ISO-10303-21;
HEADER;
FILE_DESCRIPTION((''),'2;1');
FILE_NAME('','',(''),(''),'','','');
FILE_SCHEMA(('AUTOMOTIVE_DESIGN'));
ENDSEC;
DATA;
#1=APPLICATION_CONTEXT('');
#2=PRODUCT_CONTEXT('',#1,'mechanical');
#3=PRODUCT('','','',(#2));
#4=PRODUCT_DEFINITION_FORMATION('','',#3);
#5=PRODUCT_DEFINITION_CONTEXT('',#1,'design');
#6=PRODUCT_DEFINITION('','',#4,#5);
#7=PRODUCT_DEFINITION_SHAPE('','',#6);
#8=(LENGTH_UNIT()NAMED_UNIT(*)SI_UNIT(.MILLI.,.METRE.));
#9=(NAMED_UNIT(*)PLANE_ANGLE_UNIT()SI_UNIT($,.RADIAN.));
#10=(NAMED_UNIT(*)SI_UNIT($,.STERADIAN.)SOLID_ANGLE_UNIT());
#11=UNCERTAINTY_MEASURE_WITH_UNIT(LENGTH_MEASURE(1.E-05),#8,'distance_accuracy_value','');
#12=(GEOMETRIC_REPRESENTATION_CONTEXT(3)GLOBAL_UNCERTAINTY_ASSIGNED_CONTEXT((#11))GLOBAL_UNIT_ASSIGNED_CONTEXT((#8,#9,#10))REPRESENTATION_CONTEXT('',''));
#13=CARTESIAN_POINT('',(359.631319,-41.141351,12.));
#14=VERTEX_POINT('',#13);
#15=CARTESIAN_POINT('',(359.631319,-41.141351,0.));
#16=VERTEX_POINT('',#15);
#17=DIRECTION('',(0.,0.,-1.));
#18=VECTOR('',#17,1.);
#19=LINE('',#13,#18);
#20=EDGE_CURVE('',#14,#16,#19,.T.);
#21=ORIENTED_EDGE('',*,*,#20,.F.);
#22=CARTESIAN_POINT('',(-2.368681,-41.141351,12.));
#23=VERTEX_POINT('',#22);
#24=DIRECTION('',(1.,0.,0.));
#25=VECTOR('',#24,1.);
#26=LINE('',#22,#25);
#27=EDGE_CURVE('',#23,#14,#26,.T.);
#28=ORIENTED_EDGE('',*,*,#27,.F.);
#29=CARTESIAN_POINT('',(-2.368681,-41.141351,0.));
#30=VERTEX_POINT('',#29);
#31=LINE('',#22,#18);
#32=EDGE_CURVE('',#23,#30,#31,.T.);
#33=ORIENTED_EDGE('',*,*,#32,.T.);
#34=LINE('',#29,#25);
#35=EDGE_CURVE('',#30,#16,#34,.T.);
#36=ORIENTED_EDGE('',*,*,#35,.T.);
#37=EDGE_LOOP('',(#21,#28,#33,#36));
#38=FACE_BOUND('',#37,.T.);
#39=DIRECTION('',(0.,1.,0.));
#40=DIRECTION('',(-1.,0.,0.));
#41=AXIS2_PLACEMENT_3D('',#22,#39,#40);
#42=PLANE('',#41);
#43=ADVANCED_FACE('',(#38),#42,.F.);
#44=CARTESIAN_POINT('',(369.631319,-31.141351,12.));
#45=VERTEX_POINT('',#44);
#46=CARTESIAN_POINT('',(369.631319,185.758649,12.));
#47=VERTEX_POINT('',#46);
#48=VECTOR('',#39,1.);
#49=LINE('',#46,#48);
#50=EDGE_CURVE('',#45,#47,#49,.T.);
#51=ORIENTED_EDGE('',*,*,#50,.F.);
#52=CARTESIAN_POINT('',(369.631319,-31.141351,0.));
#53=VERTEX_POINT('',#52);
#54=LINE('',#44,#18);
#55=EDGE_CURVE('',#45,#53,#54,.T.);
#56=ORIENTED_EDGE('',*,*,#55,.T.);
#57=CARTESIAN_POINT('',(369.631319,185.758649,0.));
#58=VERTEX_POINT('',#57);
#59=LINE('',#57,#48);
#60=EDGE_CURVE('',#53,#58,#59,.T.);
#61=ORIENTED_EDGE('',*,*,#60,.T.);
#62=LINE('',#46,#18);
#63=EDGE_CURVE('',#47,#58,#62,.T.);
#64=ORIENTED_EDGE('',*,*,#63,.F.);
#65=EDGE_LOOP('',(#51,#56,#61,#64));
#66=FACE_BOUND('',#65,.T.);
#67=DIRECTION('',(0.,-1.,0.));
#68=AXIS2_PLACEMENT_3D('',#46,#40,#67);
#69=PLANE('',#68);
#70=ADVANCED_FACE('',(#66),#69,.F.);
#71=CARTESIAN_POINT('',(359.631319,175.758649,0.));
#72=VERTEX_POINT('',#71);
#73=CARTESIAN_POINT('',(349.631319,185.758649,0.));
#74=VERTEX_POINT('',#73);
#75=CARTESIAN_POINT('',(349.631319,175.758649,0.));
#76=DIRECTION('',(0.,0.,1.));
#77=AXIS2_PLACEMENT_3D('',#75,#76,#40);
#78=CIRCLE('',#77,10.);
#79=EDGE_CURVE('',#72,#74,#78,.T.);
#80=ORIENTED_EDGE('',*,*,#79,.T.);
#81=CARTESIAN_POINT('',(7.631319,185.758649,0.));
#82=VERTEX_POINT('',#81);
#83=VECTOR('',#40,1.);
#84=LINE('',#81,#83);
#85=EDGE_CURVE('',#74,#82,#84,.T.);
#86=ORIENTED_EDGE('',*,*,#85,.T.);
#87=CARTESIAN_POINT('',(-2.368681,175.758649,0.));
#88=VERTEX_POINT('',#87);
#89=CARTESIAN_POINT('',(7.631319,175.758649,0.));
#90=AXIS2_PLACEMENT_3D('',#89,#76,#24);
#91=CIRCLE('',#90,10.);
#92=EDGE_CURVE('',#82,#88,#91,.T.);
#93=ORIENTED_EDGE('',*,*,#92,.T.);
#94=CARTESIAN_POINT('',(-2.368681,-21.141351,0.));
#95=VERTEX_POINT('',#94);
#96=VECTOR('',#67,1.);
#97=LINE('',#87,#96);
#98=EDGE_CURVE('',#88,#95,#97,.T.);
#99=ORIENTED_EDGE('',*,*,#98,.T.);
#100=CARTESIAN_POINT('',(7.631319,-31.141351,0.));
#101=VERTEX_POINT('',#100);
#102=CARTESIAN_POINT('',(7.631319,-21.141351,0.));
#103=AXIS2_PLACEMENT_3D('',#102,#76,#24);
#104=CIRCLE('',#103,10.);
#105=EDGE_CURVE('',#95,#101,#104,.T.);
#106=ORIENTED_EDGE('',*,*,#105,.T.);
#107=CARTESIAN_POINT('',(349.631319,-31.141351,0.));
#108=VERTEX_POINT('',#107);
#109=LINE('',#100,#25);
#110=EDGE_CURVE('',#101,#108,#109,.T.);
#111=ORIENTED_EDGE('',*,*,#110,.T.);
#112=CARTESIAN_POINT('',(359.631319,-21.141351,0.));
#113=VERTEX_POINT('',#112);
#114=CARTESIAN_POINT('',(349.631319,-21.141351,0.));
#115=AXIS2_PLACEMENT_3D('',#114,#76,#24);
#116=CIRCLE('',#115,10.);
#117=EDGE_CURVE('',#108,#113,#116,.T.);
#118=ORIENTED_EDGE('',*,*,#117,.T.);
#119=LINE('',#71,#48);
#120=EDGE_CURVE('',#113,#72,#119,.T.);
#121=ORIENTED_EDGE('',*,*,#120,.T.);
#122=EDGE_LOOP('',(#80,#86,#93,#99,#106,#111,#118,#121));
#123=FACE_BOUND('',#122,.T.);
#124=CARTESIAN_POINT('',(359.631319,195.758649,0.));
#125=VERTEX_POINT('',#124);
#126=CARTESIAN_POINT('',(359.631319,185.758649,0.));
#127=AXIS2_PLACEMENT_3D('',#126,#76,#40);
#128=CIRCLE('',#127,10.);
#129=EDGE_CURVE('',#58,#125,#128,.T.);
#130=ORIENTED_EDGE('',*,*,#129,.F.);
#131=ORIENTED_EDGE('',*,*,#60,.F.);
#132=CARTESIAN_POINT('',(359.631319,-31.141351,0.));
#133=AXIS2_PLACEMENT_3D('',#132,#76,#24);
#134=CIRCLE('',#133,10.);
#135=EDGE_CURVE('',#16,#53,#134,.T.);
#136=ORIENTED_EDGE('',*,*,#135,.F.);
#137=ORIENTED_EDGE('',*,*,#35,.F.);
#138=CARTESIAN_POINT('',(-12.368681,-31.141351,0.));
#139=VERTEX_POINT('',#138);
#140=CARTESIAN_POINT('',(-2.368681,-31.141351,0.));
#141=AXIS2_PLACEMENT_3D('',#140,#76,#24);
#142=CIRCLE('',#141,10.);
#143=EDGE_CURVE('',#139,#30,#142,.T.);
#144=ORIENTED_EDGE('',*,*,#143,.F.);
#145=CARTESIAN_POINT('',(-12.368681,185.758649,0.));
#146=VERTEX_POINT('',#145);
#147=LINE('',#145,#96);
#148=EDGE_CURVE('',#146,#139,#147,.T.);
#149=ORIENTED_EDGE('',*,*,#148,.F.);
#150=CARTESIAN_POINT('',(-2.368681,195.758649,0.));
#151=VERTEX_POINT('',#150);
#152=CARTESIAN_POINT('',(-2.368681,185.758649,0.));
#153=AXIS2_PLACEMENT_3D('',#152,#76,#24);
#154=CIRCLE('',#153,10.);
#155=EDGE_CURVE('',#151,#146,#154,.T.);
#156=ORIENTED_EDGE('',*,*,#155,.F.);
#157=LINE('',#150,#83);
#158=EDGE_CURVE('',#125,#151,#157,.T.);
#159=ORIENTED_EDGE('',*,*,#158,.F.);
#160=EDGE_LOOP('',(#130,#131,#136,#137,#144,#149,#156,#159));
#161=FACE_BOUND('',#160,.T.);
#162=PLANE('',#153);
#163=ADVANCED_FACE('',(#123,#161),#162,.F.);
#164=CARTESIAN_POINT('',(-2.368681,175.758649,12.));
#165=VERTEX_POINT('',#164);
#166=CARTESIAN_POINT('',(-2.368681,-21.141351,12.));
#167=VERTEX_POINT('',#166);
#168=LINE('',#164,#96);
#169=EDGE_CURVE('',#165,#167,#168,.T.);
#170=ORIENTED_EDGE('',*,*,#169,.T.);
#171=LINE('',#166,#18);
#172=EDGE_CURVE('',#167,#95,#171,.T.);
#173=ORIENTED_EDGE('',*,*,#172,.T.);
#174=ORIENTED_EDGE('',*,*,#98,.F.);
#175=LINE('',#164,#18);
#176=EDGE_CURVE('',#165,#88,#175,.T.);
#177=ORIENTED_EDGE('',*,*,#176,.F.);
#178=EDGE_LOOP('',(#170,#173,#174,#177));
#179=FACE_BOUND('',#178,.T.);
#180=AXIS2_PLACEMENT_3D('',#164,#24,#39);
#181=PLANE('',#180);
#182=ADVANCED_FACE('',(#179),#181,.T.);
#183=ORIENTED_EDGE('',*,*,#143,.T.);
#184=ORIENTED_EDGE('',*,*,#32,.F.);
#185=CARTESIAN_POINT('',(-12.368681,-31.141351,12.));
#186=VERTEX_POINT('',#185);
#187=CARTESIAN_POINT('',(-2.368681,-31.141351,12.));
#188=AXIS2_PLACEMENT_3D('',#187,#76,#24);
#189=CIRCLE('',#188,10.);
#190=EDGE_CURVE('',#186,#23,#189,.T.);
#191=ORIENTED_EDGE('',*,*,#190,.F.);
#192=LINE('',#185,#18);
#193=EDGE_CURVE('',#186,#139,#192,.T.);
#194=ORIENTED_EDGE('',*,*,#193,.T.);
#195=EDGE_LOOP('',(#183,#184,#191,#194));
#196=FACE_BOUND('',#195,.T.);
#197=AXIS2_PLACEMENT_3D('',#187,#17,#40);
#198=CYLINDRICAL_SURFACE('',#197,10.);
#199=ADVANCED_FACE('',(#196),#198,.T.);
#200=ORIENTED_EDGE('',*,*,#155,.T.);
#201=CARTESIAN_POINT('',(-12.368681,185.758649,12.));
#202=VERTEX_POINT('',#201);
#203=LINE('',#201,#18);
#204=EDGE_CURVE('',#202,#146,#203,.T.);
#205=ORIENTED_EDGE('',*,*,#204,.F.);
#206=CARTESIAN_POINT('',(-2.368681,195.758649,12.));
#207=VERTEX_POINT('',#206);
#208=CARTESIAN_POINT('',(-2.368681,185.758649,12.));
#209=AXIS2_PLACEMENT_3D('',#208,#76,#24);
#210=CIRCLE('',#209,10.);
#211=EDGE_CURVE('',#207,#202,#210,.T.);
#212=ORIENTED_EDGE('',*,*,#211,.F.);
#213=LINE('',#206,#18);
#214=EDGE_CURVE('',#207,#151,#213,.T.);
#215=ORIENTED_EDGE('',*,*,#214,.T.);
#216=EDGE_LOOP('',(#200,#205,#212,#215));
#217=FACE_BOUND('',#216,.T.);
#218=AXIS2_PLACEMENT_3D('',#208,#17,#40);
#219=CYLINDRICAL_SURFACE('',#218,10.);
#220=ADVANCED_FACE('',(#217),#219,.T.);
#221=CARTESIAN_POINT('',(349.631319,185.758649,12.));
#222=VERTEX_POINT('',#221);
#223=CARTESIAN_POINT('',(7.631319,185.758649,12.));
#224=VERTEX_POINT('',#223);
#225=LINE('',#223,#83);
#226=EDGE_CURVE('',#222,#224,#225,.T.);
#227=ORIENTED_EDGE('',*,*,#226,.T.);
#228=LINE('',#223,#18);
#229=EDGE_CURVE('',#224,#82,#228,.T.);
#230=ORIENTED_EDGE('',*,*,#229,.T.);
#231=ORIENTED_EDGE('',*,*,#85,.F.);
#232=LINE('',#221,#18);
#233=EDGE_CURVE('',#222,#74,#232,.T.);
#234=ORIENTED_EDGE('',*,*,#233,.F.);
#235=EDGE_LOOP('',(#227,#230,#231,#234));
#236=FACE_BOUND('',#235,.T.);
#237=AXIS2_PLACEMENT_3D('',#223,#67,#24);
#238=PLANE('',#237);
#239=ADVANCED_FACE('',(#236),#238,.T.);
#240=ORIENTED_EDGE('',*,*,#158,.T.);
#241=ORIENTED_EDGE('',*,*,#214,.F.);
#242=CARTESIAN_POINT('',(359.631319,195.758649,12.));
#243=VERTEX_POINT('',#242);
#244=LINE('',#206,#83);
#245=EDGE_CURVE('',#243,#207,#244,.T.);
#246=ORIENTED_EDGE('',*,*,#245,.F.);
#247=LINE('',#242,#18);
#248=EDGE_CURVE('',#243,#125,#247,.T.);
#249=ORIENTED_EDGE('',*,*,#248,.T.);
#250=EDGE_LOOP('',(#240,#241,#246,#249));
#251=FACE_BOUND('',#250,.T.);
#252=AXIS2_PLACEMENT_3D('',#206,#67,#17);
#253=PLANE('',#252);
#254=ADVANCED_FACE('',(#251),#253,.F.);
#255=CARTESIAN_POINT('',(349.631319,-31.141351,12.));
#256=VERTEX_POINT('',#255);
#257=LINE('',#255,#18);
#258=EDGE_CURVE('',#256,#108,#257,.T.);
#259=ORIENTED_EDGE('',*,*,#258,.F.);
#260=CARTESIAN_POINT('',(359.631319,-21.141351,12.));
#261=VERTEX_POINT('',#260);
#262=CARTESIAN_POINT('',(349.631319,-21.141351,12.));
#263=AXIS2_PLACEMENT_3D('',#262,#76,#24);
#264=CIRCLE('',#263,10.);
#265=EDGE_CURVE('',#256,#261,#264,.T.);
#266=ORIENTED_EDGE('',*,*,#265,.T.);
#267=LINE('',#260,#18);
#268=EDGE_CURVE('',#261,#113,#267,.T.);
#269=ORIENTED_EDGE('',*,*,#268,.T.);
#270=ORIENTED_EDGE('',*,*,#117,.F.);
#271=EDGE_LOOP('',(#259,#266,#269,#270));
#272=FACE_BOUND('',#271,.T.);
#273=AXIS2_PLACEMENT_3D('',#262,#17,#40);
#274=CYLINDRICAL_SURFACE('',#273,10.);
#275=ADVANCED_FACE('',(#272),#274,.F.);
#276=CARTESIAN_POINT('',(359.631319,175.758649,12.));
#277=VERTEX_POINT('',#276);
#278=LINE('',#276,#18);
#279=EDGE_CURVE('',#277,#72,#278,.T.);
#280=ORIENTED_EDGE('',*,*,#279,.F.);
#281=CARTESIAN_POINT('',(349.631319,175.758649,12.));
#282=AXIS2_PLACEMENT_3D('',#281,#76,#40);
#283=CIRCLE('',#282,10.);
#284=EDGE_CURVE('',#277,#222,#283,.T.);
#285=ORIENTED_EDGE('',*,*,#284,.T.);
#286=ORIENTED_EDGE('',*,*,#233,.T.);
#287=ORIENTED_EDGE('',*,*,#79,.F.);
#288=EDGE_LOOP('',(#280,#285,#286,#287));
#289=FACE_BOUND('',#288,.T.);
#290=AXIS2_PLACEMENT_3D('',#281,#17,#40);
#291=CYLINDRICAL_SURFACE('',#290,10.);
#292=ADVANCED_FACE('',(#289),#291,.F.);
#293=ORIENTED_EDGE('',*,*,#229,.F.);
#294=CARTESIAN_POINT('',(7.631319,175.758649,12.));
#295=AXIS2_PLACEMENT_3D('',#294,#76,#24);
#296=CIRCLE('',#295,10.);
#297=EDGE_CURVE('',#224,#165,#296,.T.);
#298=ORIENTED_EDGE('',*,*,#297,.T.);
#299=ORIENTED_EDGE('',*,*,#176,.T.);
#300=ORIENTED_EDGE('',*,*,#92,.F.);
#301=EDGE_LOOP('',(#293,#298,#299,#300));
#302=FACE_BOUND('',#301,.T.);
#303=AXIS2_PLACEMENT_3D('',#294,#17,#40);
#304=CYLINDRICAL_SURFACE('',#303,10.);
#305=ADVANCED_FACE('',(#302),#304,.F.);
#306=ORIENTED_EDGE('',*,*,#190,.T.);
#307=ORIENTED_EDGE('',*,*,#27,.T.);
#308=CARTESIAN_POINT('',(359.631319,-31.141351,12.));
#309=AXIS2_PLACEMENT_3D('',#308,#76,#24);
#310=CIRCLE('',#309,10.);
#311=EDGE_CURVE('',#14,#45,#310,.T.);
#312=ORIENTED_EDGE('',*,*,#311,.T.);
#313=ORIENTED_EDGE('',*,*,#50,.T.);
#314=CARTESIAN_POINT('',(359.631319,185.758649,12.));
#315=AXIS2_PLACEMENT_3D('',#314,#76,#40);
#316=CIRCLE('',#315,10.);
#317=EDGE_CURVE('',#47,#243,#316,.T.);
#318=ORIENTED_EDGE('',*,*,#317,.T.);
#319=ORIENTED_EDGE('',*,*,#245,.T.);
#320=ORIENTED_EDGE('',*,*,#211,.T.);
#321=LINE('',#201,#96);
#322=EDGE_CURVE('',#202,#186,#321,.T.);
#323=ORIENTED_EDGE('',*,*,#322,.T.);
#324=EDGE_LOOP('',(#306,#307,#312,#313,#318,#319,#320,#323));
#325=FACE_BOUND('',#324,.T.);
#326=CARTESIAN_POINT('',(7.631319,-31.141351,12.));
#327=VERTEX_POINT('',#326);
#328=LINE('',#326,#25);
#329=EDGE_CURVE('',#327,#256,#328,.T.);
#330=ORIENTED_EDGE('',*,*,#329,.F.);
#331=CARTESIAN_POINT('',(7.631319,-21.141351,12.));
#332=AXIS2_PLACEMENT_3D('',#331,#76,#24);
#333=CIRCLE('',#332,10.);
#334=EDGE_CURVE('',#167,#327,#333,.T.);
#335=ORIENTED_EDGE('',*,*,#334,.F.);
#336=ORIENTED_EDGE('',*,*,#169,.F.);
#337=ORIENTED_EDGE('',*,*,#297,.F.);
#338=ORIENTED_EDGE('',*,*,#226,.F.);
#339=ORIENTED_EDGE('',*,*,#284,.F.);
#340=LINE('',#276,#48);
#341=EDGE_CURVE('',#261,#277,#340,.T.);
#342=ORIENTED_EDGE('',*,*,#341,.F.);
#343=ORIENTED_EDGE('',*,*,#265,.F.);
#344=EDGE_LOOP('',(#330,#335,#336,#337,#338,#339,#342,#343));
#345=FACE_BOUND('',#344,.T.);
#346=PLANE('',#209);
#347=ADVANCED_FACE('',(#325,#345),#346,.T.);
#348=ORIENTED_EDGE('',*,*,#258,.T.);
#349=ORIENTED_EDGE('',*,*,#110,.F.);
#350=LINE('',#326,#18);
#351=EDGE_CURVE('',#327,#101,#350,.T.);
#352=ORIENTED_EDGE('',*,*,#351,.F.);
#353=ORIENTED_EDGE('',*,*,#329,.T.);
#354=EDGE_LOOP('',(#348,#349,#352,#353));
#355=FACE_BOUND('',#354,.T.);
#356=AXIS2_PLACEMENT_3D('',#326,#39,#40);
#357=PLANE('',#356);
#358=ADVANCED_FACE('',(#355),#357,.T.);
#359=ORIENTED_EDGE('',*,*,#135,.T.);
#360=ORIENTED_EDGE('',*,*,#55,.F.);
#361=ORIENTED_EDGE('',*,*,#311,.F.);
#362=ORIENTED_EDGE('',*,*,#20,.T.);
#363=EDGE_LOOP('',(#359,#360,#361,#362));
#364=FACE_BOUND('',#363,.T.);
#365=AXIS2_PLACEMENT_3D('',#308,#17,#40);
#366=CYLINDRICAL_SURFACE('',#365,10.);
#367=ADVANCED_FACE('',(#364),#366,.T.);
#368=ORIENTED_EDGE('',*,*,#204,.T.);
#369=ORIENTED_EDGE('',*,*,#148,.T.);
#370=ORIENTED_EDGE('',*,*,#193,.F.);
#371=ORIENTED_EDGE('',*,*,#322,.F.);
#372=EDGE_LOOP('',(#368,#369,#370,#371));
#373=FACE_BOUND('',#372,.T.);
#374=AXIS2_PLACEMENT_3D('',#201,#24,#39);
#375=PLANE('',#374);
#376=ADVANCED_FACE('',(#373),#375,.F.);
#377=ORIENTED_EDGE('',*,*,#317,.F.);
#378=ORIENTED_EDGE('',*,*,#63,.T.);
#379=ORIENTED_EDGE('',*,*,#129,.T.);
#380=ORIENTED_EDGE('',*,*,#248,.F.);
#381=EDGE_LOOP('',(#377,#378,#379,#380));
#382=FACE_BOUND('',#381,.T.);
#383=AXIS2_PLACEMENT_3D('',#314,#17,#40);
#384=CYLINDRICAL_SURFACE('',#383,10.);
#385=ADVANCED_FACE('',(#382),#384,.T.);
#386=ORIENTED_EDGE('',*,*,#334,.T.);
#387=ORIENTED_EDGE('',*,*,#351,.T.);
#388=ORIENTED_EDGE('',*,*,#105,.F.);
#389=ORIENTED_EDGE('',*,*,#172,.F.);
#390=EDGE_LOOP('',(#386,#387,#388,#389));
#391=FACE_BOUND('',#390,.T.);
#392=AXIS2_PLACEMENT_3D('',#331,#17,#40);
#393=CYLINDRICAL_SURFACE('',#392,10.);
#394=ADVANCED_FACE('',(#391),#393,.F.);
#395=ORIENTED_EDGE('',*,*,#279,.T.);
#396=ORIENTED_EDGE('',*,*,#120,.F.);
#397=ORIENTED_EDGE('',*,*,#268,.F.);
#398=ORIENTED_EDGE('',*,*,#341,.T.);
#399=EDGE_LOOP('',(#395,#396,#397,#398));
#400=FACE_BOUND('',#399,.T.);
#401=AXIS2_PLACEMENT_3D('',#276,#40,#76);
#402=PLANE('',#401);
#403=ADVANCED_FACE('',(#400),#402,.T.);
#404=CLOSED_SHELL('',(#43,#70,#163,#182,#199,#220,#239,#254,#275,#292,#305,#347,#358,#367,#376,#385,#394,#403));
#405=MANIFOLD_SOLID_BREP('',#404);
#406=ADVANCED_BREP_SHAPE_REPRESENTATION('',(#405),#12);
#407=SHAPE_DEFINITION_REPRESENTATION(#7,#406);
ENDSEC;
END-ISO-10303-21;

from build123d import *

# Parameters (mm, degrees)
EXTRUDE_1_DEPTH = 12


with BuildPart() as part:
    # 草图1 → 凸台-拉伸1 (new body)
    with BuildSketch(Plane.XY):
        with BuildLine():
            Line((-2.368681364, 195.758648559), (359.631318636, 195.758648559))
            ThreePointArc((359.631318636, 195.758648559), (366.702386448, 192.82971637), (369.631318636, 185.758648559))
            Line((369.631318636, 185.758648559), (369.631318636, -31.141351441))
            ThreePointArc((369.631318636, -31.141351441), (366.702386448, -38.212419253), (359.631318636, -41.141351441))
            Line((359.631318636, -41.141351441), (-2.368681364, -41.141351441))
            ThreePointArc((-2.368681364, -41.141351441), (-9.439749176, -38.212419253), (-12.368681364, -31.141351441))
            Line((-12.368681364, -31.141351441), (-12.368681364, 185.758648559))
            ThreePointArc((-12.368681364, 185.758648559), (-9.439749176, 192.82971637), (-2.368681364, 195.758648559))
        make_face()
        with BuildLine():
            Line((7.631318636, 185.758648559), (349.631318636, 185.758648559))
            ThreePointArc((349.631318636, 185.758648559), (356.702386448, 182.82971637), (359.631318636, 175.758648559))
            Line((359.631318636, 175.758648559), (359.631318636, -21.141351441))
            ThreePointArc((359.631318636, -21.141351441), (356.702386448, -28.212419253), (349.631318636, -31.141351441))
            Line((349.631318636, -31.141351441), (7.631318636, -31.141351441))
            ThreePointArc((7.631318636, -31.141351441), (0.560250824, -28.212419253), (-2.368681364, -21.141351441))
            Line((-2.368681364, -21.141351441), (-2.368681364, 175.758648559))
            ThreePointArc((-2.368681364, 175.758648559), (0.560250824, 182.82971637), (7.631318636, 185.758648559))
        make_face(mode=Mode.SUBTRACT)
    extrude(amount=EXTRUDE_1_DEPTH)


solid = part.part
